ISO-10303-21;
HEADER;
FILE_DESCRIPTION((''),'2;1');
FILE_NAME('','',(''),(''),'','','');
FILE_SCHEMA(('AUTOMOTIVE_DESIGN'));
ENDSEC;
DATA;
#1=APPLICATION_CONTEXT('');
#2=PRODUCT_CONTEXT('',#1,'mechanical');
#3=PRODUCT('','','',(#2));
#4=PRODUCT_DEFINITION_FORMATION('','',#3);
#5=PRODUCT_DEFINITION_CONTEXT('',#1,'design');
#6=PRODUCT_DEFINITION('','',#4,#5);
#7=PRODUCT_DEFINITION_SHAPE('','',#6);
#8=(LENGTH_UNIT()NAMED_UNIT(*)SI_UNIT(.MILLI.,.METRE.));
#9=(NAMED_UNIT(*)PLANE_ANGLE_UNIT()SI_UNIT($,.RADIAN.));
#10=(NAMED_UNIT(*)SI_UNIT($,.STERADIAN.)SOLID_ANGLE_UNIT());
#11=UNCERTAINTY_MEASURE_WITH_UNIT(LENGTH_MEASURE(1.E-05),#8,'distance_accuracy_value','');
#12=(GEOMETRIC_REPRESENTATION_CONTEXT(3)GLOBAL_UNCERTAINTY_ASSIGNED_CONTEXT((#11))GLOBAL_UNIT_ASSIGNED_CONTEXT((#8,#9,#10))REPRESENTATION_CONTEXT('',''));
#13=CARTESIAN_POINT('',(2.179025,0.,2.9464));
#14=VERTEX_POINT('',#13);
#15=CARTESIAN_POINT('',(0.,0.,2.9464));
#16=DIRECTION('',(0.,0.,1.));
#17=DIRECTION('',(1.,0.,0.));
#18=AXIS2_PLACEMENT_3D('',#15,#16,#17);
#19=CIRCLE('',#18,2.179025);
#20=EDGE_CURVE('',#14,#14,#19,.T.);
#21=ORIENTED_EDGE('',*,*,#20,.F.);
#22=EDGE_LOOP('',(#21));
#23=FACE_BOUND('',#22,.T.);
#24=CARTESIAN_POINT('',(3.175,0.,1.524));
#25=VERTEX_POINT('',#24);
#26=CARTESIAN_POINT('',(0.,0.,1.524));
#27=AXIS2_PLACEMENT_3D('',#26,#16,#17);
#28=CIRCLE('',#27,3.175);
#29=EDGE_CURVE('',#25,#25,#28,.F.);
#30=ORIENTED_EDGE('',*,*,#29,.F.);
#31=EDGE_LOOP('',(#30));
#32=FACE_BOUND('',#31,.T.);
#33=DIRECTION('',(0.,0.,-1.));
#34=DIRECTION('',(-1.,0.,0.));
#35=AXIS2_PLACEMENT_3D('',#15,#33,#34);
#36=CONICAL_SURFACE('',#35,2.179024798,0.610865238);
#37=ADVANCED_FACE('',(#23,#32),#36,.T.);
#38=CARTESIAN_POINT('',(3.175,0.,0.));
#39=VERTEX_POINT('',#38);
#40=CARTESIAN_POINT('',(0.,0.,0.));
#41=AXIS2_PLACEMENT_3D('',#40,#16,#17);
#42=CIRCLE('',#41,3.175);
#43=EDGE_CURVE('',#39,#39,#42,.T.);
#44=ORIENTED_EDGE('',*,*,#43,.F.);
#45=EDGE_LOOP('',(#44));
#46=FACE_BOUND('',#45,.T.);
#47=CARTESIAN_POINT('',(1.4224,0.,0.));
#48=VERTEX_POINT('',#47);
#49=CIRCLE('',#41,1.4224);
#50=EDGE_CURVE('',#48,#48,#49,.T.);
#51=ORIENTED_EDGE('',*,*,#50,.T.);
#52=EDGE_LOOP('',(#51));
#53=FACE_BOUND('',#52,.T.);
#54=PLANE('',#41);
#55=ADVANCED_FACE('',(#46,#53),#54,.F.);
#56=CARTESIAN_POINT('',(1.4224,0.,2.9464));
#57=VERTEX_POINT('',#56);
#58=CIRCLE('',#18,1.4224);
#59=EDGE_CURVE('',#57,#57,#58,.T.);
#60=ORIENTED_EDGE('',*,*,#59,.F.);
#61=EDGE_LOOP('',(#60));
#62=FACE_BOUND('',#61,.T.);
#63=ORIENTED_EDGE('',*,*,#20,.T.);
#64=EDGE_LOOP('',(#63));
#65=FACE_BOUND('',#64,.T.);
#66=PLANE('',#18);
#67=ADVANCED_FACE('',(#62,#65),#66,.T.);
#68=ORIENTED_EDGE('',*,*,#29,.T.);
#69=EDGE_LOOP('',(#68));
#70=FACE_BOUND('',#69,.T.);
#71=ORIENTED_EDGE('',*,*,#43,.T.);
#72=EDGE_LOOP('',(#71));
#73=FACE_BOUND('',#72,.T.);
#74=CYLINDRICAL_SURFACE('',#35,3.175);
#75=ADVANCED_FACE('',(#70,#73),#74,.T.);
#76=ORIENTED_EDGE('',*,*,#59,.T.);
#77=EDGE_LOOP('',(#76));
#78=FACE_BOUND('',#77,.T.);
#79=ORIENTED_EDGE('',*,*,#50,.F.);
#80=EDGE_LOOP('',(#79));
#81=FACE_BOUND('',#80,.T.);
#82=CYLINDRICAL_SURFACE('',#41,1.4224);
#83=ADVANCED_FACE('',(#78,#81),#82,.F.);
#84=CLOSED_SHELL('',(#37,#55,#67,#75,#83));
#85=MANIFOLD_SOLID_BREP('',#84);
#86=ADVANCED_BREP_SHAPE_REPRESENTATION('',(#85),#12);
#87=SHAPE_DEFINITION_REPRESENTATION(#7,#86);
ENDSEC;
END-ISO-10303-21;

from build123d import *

# Parameters (mm, degrees)
SKETCH1_R      = 3.175
EXTRUDE1_DEPTH = 2.9464
SKETCH2_R      = 1.4224
EXTRUDE2_DEPTH = 3.9464
CHAMFER1_SIZE  = 1.4224
CHAMFER1_SIZE2 = 0.995975202


with BuildPart() as part:
    # Sketch1 → Extrude1 (new body)
    with BuildSketch(Plane.XY):
        Circle(SKETCH1_R)
    extrude(amount=EXTRUDE1_DEPTH)

    # Sketch2 → Extrude2 (cut, through all)
    with BuildSketch(Plane.XY.offset(2.9464)):
        Circle(SKETCH2_R)
    extrude(amount=-EXTRUDE2_DEPTH, mode=Mode.SUBTRACT)

    # Chamfer1
    chamfer1_edges = [part.edges().sort_by_distance(p)[0] for p in [
        (-3.175, 0, 2.9464),
    ]]
    chamfer1_side = [part.faces().sort_by_distance(p)[0] for p in [
        (-3.175, 0, 1.4732),
    ]]
    chamfer(chamfer1_edges, length=CHAMFER1_SIZE, length2=CHAMFER1_SIZE2, reference=chamfer1_side[0])


solid = part.part
